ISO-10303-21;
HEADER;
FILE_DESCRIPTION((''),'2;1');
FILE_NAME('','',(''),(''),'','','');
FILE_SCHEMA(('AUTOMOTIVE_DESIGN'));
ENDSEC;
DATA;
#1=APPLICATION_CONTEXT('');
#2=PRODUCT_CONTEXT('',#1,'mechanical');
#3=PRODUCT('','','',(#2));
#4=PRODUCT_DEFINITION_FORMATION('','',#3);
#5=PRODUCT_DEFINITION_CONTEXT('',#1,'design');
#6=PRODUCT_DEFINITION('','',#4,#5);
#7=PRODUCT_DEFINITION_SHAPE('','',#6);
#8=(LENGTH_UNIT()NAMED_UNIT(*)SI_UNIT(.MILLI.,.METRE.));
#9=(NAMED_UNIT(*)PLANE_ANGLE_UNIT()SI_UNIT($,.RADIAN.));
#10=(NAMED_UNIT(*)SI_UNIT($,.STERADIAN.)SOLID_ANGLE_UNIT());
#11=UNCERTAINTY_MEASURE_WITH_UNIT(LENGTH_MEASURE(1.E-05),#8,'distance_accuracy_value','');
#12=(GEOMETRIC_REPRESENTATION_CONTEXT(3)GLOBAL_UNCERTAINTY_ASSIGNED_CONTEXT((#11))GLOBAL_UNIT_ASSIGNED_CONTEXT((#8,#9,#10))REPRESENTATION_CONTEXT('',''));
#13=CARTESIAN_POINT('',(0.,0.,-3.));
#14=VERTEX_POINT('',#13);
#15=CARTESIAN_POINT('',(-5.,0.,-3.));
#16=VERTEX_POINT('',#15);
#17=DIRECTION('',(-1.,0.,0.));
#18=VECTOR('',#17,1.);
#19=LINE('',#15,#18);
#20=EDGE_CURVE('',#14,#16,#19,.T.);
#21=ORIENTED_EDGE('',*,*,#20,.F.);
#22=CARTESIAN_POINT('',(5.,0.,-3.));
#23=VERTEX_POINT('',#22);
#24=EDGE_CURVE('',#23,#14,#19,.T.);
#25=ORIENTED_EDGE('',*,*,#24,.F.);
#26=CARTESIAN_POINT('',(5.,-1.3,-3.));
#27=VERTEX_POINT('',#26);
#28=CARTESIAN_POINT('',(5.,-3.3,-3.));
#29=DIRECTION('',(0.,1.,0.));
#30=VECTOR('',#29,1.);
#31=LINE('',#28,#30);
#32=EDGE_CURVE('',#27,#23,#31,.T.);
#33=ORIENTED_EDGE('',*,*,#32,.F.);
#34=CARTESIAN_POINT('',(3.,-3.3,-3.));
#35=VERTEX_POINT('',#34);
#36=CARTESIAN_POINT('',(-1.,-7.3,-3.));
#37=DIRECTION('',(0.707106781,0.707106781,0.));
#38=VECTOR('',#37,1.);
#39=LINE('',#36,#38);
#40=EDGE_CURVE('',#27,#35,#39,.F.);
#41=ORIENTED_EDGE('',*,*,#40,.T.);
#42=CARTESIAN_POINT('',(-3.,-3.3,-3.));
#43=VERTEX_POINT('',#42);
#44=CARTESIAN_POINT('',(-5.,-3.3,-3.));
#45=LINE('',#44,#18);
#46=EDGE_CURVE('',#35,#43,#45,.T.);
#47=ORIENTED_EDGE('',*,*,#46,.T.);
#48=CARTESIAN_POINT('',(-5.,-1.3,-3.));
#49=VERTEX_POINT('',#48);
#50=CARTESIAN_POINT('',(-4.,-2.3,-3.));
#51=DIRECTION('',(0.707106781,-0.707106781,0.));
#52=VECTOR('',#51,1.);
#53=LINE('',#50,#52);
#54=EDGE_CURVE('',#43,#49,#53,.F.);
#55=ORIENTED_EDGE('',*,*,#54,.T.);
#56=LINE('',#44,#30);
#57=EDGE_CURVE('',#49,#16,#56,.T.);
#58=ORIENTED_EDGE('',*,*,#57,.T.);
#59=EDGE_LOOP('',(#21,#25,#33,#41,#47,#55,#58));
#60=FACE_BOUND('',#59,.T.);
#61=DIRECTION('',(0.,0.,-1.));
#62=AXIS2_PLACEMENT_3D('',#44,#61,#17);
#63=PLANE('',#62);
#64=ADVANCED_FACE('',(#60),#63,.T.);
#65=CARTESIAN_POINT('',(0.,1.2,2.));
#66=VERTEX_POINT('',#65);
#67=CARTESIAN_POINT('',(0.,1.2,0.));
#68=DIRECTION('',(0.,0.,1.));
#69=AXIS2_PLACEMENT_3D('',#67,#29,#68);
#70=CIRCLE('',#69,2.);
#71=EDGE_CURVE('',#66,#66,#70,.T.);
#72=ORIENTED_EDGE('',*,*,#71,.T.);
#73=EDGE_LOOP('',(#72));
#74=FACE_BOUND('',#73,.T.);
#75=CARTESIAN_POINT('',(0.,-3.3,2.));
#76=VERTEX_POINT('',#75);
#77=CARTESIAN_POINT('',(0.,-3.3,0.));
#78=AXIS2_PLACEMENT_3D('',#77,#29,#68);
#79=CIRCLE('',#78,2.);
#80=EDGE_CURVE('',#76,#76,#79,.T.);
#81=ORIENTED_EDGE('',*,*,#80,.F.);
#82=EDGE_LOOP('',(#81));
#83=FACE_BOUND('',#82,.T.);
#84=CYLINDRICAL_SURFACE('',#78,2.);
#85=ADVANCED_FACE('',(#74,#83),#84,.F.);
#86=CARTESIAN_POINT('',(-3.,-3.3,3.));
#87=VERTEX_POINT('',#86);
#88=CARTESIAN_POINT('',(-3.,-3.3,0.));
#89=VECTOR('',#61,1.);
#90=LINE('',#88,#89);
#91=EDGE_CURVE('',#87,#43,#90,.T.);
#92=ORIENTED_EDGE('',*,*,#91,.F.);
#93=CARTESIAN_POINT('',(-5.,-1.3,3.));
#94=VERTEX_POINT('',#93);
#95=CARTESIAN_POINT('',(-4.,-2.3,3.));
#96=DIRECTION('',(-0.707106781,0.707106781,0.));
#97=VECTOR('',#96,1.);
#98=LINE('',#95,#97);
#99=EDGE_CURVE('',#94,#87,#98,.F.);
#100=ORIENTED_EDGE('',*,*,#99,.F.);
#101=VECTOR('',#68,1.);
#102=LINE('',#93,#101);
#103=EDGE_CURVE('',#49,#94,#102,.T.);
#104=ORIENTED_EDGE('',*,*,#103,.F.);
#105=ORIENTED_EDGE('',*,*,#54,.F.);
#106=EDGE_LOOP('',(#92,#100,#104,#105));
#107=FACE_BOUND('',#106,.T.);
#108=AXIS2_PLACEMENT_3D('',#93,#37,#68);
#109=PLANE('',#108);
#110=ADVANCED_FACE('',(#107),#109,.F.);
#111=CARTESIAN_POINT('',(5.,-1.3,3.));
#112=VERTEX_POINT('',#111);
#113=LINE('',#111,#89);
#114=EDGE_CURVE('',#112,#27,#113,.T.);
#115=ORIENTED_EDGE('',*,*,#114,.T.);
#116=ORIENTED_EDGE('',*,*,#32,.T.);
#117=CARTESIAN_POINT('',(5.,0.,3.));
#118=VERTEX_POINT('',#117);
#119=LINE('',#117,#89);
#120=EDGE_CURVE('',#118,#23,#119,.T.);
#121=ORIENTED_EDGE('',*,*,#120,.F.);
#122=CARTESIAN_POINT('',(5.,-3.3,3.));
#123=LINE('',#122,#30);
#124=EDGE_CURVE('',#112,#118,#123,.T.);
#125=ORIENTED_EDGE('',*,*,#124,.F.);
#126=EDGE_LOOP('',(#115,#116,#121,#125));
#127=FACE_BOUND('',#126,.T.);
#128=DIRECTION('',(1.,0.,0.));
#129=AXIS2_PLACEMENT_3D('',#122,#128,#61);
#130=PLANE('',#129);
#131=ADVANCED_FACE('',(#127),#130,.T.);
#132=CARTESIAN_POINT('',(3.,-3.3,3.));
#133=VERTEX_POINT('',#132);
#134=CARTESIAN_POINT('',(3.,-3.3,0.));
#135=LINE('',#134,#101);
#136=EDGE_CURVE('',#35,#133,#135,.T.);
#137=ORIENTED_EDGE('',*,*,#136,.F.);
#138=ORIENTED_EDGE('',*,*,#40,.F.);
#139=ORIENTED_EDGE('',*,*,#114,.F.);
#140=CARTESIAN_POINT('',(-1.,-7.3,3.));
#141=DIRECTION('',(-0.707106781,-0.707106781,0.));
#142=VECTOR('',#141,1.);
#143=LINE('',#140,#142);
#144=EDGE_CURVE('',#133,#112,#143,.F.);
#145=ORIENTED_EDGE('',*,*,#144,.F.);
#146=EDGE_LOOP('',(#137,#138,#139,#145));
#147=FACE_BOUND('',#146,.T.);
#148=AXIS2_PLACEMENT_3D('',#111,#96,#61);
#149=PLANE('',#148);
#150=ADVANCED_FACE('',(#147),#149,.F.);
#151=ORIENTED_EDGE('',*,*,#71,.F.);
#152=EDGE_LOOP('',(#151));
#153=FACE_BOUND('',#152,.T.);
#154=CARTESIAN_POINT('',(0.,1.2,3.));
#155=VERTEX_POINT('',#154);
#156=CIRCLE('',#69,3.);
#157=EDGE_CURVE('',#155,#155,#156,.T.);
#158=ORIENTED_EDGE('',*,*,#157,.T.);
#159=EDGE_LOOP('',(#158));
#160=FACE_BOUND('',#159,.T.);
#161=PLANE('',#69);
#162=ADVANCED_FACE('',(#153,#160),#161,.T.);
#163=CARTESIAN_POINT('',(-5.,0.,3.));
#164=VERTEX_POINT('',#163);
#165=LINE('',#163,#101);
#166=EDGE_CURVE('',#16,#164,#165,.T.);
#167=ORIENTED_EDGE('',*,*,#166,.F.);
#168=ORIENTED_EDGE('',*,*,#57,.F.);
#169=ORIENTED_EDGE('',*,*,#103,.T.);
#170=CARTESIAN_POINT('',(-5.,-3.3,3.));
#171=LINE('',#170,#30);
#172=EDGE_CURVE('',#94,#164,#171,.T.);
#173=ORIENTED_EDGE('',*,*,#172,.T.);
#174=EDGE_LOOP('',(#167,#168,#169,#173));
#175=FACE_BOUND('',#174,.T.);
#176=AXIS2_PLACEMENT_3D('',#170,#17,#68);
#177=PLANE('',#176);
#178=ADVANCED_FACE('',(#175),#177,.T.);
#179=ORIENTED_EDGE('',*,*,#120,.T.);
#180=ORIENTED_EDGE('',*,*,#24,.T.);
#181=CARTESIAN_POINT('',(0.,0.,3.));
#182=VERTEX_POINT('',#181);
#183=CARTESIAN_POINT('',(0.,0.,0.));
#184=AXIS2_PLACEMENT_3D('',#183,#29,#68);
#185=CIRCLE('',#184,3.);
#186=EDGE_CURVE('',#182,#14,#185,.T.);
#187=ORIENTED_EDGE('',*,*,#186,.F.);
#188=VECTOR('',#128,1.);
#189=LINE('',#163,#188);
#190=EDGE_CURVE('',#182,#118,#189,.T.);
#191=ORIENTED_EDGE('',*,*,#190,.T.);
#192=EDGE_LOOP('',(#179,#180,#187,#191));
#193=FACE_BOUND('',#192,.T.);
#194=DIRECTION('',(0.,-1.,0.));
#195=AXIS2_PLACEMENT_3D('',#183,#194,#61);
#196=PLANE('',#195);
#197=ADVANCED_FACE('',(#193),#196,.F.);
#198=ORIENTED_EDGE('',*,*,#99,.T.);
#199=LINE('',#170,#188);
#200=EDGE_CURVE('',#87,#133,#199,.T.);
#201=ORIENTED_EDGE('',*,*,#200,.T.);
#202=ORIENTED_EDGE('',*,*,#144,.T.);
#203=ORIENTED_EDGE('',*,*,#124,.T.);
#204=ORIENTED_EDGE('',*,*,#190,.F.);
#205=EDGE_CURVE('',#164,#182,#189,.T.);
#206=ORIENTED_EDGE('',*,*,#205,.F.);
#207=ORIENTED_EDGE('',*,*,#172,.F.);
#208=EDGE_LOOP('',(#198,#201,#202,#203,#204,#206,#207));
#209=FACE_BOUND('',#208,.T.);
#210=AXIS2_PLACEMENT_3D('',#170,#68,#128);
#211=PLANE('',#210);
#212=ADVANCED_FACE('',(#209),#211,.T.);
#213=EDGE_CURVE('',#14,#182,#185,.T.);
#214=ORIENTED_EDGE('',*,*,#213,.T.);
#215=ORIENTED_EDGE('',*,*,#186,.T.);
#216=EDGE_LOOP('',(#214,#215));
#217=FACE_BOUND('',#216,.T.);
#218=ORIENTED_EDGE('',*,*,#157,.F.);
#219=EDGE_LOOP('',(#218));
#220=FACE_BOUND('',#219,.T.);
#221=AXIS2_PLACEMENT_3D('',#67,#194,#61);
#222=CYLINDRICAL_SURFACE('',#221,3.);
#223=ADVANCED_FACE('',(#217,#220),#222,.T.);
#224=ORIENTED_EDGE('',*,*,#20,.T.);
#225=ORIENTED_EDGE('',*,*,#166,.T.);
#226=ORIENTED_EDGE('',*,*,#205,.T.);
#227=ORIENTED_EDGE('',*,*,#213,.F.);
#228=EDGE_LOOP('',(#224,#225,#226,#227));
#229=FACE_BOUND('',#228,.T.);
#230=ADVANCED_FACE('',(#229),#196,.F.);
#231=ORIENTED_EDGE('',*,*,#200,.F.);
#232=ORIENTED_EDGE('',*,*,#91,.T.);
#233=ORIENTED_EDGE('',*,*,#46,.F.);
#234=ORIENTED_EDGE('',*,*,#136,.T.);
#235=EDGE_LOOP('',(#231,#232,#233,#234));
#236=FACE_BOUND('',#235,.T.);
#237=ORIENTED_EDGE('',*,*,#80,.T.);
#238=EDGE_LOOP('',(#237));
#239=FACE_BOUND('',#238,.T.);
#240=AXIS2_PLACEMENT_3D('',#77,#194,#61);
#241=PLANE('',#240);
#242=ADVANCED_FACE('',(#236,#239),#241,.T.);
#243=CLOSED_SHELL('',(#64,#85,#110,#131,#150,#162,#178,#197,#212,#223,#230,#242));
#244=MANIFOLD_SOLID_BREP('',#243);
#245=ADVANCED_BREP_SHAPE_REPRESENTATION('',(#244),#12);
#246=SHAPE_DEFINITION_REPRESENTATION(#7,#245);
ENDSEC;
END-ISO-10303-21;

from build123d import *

# Parameters (mm, degrees)
SKETCH1_W               = 10
SKETCH1_H               = 6
BOSS_EXTRUDE1_DEPTH     = 3.3
SKETCH2_R               = 3
BOSS_EXTRUDE2_DEPTH     = 1.2
CUT_EXTRUDE1_DEPTH      = 8.365459931
CUT_EXTRUDE1_DEPTH_BACK = 8.365459931
SKETCH3_R               = 2
CHAMFER1_SIZE           = 2


with BuildPart() as part:
    # Sketch1 → Boss-Extrude1 (new body)
    with BuildSketch(Plane(origin=(0, 0, 0), x_dir=(1, 0, 0), z_dir=(0, 1, 0))):
        Rectangle(SKETCH1_W, SKETCH1_H)
    extrude(amount=-BOSS_EXTRUDE1_DEPTH)

    # Sketch2 → Boss-Extrude2 (add)
    with BuildSketch(Plane(origin=(0, 0, 0), x_dir=(1, 0, 0), z_dir=(0, 1, 0))):
        with Locations(Location((0, 0, 0), (0, 0, 270))):
            Circle(SKETCH2_R)
    extrude(amount=BOSS_EXTRUDE2_DEPTH)

    # Sketch3 → Cut-Extrude1 (cut, two sides: drawn at the far end of the back side and taken through both)
    with BuildSketch(Plane(origin=(0, 1.2, 0), x_dir=(1, 0, 0), z_dir=(0, 1, 0)).offset(-CUT_EXTRUDE1_DEPTH_BACK)):
        with Locations(Location((0, 0, 0), (0, 0, 270))):
            Circle(SKETCH3_R)
    extrude(amount=CUT_EXTRUDE1_DEPTH + CUT_EXTRUDE1_DEPTH_BACK, mode=Mode.SUBTRACT)

    # Chamfer1
    chamfer1_edges = [part.edges().sort_by_distance(p)[0] for p in [
        (-5, -3.3, 0),
        (5, -3.3, 0),
    ]]
    chamfer(chamfer1_edges, length=CHAMFER1_SIZE)


solid = part.part
